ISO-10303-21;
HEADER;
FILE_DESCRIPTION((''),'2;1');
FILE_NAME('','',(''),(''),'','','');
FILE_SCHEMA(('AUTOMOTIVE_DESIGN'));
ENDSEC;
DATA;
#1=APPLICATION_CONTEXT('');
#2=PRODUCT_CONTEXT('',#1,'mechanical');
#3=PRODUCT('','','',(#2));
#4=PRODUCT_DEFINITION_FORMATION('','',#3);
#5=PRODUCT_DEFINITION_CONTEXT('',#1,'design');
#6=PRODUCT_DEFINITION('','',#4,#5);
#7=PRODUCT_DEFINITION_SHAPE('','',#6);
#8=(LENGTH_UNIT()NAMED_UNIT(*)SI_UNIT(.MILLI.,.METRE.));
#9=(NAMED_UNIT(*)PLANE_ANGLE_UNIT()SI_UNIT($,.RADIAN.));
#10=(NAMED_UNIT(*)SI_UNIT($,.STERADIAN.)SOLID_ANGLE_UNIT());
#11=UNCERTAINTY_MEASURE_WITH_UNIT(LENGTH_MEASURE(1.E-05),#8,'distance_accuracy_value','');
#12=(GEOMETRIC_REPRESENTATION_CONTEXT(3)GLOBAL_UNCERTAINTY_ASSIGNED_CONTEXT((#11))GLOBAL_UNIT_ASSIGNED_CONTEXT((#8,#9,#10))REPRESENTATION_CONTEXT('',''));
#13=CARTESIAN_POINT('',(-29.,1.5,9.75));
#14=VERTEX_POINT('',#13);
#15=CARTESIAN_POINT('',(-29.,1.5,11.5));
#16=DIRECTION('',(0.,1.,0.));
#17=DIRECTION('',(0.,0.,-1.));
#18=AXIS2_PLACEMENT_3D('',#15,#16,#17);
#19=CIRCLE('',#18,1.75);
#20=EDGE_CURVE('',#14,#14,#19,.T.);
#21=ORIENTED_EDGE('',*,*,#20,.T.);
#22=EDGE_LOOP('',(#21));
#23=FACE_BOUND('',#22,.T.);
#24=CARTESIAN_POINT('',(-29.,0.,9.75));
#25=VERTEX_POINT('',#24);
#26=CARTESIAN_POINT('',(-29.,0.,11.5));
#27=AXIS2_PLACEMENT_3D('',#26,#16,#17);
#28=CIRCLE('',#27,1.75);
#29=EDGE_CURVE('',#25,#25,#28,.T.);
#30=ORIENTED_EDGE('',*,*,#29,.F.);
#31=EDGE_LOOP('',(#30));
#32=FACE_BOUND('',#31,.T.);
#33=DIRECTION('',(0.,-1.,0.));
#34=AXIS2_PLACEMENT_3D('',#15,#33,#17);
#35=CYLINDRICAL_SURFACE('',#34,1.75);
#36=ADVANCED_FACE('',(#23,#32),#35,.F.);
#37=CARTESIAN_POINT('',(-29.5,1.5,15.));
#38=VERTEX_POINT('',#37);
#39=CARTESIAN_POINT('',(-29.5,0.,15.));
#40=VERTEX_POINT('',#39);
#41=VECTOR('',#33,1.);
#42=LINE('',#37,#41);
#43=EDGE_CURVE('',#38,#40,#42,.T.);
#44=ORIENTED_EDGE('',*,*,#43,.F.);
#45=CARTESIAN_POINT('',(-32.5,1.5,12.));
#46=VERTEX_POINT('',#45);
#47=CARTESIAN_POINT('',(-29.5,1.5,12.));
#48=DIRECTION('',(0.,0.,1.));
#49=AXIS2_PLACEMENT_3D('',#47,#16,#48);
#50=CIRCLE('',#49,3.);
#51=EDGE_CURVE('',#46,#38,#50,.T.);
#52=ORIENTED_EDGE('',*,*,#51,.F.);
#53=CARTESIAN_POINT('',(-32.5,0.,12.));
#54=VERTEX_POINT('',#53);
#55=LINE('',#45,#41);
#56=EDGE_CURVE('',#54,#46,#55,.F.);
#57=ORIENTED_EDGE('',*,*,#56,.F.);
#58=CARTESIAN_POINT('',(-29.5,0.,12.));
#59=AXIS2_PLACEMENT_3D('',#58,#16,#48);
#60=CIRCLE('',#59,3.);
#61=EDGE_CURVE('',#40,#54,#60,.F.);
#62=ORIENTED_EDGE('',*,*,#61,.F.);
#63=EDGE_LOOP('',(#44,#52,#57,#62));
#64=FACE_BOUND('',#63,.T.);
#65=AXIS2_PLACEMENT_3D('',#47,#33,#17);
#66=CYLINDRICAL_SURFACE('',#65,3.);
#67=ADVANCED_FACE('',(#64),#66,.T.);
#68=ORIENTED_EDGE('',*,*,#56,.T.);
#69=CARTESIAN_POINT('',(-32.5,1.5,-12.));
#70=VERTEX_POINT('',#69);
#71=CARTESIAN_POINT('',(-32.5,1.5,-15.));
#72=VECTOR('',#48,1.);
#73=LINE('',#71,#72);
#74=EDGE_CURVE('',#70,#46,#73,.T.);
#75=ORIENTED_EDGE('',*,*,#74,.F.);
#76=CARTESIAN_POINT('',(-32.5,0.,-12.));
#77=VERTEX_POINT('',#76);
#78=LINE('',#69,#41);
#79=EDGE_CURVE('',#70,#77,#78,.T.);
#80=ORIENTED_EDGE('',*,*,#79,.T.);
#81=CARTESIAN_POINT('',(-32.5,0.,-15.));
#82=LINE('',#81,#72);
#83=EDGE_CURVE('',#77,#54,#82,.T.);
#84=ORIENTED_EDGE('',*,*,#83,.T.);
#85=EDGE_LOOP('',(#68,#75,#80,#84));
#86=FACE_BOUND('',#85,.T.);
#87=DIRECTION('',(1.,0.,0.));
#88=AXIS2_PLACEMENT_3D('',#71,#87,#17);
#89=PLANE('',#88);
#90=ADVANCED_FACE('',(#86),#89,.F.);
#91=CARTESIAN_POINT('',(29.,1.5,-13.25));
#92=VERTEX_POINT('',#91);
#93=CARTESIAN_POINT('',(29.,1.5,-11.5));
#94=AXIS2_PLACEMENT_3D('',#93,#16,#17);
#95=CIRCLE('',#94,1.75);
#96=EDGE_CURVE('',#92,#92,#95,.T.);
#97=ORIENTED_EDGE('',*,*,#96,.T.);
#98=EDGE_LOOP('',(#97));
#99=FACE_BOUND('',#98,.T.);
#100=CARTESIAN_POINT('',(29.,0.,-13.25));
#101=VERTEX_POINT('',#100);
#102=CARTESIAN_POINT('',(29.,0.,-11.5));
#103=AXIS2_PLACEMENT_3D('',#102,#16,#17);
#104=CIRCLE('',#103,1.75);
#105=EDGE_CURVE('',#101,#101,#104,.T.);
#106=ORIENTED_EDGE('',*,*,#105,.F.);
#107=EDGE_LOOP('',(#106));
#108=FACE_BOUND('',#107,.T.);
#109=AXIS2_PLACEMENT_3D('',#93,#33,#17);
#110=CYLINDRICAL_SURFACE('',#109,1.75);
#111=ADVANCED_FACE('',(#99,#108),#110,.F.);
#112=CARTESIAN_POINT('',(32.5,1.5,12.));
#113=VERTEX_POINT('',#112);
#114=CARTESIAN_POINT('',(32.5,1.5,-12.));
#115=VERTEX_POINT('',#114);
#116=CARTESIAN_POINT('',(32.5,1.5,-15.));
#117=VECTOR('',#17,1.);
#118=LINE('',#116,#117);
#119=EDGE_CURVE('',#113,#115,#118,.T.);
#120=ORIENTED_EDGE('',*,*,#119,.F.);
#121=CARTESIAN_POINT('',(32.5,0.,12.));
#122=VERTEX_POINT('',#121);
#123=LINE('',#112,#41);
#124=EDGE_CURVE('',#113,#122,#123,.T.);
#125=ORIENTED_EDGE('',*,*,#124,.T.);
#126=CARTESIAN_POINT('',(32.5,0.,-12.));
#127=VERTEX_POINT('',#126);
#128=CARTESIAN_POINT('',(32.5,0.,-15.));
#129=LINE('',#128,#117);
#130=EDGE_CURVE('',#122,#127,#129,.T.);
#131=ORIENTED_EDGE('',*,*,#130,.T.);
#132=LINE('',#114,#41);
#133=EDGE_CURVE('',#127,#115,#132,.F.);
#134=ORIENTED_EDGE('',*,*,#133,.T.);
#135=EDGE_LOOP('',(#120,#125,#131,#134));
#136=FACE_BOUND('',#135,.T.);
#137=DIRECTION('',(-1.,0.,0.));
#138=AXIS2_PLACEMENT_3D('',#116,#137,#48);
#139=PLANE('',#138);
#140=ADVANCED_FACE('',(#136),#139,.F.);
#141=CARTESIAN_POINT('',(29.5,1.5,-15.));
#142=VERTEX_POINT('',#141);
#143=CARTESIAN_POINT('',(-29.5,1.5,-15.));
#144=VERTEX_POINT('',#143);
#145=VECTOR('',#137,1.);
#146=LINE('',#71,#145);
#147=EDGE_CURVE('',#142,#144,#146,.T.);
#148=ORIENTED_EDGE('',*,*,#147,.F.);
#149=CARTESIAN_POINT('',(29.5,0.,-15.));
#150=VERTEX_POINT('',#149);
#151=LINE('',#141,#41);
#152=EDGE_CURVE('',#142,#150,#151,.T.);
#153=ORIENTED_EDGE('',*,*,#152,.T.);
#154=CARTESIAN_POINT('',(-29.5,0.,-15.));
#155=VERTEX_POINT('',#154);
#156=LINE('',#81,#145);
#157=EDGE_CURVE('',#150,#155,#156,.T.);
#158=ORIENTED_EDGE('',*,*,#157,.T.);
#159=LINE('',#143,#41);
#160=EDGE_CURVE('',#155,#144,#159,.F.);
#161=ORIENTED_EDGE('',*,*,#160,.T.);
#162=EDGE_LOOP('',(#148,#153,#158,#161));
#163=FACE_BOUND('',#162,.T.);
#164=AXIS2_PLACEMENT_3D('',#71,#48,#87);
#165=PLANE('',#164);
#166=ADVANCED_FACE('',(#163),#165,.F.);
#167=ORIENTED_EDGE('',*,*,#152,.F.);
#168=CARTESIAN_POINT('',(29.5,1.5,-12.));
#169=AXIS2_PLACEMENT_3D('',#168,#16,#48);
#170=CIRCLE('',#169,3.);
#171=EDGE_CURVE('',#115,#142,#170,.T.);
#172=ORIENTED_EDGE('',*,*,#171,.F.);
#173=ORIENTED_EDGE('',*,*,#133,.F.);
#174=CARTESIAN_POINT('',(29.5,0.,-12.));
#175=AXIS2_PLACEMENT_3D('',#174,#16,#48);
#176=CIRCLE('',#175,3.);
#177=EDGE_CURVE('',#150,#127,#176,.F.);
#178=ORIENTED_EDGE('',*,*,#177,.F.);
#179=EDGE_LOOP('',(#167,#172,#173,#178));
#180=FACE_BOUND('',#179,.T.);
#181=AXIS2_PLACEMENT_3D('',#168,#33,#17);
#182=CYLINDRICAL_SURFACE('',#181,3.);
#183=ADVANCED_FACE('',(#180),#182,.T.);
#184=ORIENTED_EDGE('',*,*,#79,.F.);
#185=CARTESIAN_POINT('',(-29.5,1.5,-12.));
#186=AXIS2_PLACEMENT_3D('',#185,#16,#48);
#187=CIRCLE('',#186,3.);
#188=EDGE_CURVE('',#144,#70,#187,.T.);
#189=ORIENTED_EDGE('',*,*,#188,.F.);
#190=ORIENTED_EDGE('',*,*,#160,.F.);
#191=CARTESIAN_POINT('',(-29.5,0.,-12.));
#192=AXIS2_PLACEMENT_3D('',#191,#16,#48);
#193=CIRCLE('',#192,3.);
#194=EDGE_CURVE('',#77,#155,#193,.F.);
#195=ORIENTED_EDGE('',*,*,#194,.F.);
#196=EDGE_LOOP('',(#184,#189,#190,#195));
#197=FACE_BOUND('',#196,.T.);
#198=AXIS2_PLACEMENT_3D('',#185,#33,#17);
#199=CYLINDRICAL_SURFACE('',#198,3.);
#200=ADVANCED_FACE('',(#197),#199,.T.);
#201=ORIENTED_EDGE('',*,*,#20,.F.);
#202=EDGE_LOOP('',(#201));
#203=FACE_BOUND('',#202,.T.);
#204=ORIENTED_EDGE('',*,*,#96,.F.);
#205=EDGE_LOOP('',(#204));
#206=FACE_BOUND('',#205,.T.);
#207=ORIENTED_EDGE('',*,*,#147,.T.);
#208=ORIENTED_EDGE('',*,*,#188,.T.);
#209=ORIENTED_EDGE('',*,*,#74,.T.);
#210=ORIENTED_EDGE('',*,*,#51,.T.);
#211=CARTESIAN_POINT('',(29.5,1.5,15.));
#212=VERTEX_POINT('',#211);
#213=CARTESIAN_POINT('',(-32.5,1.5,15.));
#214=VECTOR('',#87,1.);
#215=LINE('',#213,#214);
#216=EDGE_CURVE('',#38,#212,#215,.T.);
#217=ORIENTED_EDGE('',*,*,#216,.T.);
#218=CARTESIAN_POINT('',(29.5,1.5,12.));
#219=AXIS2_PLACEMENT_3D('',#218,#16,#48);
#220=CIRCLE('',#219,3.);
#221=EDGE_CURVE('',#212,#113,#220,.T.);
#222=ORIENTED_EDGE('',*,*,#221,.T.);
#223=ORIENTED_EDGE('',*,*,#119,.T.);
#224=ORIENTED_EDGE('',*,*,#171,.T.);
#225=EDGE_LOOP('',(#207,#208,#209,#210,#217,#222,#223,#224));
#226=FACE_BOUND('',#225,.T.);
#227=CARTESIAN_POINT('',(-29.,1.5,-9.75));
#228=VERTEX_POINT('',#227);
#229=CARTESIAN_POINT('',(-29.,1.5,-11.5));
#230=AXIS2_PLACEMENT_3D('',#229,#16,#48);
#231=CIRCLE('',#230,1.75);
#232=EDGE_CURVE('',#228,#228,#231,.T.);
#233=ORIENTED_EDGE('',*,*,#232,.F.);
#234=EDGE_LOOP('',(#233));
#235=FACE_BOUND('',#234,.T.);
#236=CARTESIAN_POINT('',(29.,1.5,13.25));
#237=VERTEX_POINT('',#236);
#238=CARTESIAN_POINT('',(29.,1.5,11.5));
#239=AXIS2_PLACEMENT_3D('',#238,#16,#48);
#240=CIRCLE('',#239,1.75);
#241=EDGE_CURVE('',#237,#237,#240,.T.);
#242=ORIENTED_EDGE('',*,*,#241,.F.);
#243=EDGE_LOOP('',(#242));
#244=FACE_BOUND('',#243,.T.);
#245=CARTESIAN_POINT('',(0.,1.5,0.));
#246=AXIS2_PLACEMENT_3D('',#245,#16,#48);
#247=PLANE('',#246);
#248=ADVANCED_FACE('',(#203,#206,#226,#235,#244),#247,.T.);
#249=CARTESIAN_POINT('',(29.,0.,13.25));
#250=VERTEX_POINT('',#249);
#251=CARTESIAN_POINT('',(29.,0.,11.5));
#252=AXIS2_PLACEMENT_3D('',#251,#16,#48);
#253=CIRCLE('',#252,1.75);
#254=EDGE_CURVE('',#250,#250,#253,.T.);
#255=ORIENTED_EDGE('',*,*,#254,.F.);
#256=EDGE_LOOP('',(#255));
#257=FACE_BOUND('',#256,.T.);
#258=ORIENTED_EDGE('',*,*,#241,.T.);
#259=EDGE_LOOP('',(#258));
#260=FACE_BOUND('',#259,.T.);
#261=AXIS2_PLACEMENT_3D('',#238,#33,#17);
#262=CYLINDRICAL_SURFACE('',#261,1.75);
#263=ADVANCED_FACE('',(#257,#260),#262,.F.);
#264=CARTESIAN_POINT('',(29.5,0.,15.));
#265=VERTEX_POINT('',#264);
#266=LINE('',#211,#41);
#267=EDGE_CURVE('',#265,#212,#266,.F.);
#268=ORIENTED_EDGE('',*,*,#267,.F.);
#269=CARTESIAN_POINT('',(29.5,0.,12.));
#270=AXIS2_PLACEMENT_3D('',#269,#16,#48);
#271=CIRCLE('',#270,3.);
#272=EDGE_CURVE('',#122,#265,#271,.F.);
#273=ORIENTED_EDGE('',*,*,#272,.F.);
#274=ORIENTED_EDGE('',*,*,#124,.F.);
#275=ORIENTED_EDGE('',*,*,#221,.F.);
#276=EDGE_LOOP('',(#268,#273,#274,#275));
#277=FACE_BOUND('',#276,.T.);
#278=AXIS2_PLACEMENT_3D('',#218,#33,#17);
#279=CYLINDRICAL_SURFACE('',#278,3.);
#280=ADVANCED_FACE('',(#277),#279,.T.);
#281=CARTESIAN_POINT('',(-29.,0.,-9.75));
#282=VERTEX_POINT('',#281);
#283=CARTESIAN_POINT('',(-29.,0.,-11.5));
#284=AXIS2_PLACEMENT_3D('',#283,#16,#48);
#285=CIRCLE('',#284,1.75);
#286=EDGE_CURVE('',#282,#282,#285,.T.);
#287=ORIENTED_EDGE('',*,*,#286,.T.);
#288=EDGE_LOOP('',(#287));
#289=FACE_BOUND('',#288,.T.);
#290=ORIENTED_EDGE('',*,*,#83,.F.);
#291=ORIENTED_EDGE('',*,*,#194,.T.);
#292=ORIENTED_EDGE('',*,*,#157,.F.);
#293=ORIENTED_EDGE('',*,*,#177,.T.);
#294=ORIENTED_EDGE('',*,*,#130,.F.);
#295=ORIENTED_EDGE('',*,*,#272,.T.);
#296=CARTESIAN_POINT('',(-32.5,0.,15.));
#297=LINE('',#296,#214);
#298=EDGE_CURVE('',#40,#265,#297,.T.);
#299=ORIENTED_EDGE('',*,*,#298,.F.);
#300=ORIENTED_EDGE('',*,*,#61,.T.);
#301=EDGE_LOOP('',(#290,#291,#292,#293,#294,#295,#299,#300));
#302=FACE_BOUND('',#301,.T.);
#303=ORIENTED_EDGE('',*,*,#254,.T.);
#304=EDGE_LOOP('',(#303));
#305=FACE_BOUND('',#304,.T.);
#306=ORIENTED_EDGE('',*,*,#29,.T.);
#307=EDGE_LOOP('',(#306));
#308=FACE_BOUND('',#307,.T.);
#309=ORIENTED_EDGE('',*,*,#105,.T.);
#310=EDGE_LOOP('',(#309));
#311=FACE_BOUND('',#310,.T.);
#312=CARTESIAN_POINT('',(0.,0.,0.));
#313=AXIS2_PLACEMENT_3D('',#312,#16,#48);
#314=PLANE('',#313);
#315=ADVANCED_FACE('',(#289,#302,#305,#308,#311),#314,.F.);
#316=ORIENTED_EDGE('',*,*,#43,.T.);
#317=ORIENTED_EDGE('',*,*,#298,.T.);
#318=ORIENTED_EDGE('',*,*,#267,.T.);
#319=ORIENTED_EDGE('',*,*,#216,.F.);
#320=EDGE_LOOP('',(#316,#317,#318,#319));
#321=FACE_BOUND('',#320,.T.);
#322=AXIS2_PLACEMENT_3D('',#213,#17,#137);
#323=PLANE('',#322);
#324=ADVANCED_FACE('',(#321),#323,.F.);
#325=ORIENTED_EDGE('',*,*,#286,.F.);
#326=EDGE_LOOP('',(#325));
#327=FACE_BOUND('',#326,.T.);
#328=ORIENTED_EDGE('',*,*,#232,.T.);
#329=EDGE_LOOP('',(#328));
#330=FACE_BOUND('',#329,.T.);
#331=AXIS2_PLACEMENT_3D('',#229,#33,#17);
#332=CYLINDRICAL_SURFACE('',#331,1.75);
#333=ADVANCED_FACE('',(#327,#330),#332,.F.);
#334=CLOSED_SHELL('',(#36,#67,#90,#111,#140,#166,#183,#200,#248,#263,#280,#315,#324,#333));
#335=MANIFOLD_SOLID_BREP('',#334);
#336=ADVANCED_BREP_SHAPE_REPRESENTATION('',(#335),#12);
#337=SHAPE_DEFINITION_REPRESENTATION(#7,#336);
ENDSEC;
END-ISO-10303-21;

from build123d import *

# Parameters (mm, degrees)
SKETCH_1_W      = 65
SKETCH_1_H      = 30
SKETCH_1_R      = 1.75
EXTRUDE_1_DEPTH = 1.5
FILLET_1_R      = 3


with BuildPart() as part:
    # 草图1 → 凸台-拉伸1 (new body)
    with BuildSketch(Plane(origin=(0, 0, 0), x_dir=(1, 0, 0), z_dir=(0, 1, 0))):
        Rectangle(SKETCH_1_W, SKETCH_1_H)
        with Locations(Location((-29, 11.5, 0), (0, 0, 270))):
            Circle(SKETCH_1_R, mode=Mode.SUBTRACT)
        with Locations(Location((29, 11.5, 0), (0, 0, 90))):
            Circle(SKETCH_1_R, mode=Mode.SUBTRACT)
        with Locations(Location((29, -11.5, 0), (0, 0, 270))):
            Circle(SKETCH_1_R, mode=Mode.SUBTRACT)
        with Locations(Location((-29, -11.5, 0), (0, 0, 90))):
            Circle(SKETCH_1_R, mode=Mode.SUBTRACT)
    extrude(amount=EXTRUDE_1_DEPTH)

    # 圆角1
    fillet_1_edges = [part.edges().sort_by_distance(p)[0] for p in [
        (32.5, 0.75, 15),
        (-32.5, 0.75, 15),
        (-32.5, 0.75, -15),
        (32.5, 0.75, -15),
    ]]
    fillet(fillet_1_edges, radius=FILLET_1_R)


solid = part.part
